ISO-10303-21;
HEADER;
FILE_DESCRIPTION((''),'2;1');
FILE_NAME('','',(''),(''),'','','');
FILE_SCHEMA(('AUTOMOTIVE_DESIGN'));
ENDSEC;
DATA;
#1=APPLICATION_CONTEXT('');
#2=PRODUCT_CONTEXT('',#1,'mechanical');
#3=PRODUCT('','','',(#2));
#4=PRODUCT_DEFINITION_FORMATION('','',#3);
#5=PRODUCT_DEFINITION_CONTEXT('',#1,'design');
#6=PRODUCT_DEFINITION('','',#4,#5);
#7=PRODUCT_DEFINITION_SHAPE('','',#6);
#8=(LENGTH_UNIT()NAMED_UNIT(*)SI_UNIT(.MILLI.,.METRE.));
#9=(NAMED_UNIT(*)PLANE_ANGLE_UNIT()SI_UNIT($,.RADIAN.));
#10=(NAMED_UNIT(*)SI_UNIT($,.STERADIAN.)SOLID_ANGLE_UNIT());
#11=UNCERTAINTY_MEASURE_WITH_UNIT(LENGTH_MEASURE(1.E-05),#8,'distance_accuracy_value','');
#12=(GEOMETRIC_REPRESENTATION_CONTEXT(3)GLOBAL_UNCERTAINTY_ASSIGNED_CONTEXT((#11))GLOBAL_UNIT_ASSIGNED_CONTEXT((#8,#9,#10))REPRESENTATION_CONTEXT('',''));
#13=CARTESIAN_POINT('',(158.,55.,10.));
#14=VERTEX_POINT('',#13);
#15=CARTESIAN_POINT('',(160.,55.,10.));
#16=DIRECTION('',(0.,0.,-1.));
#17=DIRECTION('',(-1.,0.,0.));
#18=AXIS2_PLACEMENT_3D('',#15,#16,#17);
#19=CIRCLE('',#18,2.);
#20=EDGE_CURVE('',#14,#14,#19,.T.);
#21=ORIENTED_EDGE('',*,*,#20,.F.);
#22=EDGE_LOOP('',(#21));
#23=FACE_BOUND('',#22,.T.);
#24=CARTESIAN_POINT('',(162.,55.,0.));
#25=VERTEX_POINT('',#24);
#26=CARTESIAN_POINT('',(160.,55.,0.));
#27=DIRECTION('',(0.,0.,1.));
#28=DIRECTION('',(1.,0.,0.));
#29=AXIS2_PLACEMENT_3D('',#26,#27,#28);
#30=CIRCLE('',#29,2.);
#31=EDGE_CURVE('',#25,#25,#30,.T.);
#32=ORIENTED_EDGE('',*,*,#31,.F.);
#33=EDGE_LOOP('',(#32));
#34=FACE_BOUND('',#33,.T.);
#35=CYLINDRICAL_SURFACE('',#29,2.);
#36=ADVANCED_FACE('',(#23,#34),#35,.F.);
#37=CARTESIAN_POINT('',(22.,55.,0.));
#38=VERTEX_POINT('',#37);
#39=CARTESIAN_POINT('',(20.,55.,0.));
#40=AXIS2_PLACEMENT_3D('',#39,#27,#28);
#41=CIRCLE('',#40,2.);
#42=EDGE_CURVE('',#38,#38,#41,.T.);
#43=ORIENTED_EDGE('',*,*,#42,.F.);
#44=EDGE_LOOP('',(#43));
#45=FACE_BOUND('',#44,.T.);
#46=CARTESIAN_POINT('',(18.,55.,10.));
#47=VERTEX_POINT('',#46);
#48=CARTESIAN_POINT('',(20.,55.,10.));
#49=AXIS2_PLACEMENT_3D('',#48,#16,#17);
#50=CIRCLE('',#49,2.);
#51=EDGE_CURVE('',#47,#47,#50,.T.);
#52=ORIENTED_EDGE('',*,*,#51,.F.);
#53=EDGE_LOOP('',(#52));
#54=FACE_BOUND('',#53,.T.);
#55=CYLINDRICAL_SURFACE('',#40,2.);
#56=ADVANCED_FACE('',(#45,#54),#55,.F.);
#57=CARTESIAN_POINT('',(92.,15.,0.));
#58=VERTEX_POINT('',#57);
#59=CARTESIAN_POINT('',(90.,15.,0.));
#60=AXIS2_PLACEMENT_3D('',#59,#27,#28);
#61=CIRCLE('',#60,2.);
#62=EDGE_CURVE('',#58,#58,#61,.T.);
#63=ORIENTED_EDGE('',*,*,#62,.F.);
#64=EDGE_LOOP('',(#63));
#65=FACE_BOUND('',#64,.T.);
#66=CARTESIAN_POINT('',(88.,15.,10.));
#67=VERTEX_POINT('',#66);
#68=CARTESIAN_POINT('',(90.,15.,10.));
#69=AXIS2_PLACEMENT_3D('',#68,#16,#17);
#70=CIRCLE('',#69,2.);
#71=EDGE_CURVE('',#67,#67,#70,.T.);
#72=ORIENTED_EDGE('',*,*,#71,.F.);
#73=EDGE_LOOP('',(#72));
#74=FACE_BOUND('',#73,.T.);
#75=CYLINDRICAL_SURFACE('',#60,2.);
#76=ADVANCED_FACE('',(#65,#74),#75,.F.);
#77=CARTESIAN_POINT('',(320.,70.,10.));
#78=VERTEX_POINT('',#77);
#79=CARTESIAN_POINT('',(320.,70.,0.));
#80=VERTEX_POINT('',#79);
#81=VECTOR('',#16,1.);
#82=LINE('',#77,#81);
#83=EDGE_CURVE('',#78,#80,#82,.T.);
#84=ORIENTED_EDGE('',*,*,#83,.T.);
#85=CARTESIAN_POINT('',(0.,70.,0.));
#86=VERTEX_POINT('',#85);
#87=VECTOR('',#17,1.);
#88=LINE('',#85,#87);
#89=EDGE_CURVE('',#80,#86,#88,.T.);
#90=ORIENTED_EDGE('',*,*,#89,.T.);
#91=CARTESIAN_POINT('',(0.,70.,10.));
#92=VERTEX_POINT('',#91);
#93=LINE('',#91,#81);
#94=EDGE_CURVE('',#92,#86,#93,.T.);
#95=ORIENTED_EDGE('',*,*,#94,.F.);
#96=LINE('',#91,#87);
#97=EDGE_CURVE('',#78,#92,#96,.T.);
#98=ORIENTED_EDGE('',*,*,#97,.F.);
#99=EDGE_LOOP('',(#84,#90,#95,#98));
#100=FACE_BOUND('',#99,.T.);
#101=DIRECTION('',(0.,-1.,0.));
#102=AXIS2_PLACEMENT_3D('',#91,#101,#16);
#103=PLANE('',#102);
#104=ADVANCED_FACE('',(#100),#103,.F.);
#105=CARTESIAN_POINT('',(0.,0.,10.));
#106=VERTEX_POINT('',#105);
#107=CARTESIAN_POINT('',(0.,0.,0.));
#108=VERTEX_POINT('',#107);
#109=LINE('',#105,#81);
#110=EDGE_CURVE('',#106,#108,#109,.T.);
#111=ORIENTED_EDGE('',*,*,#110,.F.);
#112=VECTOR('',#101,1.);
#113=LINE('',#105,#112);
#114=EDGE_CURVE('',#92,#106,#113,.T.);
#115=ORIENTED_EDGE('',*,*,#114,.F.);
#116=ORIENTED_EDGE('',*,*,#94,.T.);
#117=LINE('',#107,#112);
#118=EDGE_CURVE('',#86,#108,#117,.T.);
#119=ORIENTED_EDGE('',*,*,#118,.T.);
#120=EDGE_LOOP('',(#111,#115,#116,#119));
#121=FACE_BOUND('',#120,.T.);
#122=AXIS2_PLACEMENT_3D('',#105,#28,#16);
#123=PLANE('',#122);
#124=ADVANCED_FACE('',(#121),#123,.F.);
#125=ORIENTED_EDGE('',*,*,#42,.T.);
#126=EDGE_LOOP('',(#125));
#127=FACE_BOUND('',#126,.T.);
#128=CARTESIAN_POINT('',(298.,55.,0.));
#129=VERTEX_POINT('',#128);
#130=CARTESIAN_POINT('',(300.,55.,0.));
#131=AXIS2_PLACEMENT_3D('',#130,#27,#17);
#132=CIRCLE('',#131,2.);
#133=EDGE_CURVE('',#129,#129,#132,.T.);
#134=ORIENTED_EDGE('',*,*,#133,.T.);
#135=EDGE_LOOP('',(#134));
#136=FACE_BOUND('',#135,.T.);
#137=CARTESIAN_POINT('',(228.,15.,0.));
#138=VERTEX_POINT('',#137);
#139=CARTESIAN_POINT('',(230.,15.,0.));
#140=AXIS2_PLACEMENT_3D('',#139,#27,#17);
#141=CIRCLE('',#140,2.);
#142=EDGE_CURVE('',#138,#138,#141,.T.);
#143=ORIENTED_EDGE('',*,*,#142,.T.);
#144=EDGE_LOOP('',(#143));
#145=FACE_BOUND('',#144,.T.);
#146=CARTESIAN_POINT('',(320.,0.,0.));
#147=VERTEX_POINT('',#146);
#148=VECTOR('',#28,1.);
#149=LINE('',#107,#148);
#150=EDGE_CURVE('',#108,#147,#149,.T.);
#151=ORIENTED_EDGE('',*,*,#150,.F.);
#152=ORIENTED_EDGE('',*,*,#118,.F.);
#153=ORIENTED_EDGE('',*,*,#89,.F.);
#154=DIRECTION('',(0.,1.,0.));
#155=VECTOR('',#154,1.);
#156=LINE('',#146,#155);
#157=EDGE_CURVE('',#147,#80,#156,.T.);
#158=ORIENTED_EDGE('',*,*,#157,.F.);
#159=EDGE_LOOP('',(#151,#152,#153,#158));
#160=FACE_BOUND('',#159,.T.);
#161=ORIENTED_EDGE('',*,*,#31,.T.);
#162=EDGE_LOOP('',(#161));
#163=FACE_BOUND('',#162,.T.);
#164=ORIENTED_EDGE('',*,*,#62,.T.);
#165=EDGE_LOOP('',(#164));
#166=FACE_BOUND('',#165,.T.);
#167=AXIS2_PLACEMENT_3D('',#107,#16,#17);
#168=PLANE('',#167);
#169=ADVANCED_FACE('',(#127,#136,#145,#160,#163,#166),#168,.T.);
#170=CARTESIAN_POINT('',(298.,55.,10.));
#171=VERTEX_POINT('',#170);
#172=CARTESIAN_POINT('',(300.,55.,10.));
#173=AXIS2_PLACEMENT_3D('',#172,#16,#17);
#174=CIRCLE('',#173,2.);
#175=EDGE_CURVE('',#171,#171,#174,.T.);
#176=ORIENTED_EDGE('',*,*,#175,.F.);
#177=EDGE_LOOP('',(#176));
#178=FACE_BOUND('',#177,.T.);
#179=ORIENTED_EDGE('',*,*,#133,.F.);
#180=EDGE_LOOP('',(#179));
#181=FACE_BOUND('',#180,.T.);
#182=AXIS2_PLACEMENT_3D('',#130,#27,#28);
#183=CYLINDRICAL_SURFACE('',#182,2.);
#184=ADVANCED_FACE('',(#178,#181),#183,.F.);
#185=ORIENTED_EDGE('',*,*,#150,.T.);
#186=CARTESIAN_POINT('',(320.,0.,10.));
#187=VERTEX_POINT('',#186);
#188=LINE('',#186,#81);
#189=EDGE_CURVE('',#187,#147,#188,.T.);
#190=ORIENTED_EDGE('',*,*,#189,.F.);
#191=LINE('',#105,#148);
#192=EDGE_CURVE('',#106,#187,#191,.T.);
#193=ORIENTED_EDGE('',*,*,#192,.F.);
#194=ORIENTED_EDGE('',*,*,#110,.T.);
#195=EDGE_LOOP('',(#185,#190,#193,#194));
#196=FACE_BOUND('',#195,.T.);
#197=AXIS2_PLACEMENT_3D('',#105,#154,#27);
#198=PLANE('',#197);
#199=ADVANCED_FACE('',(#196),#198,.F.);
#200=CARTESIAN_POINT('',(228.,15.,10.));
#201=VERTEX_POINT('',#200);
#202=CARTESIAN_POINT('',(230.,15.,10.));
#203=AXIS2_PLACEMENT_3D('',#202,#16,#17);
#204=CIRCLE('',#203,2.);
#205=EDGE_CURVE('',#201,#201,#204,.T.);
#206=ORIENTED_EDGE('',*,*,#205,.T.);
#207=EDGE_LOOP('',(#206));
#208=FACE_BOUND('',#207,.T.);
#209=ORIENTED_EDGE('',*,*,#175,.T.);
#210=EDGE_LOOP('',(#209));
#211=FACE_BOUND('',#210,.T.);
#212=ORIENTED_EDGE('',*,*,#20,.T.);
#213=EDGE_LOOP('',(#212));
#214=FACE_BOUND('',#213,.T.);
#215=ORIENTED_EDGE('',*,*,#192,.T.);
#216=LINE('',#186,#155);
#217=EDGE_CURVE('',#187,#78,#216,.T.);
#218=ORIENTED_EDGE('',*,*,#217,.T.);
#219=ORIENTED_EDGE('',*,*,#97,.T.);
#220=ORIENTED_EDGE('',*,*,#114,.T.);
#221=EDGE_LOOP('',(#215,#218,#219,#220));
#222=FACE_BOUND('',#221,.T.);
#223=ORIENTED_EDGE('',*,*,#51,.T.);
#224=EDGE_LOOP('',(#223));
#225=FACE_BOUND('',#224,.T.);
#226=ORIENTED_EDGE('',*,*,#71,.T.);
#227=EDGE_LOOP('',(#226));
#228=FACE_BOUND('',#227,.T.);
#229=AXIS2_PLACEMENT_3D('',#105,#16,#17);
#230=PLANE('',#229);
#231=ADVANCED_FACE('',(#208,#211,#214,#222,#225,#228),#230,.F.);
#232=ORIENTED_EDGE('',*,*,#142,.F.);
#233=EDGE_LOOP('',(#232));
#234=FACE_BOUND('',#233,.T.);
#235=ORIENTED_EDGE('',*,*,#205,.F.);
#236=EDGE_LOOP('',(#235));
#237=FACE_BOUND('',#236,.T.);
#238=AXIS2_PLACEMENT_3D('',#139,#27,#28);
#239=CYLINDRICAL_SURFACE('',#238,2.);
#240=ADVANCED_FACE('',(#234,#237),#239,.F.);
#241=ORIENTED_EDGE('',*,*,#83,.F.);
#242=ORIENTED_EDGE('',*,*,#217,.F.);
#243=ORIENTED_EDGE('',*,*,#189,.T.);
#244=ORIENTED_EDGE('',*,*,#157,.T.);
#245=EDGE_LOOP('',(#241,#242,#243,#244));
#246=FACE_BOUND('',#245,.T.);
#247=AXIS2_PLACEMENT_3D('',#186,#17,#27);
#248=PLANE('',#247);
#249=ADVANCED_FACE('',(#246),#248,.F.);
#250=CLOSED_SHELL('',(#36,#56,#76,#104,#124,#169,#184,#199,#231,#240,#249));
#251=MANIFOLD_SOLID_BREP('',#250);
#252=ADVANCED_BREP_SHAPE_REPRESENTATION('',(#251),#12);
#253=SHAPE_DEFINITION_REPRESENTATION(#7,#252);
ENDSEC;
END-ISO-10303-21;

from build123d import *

# Parameters (mm, degrees)
ESQUISSE1_W                  = 320
ESQUISSE1_H                  = 70
BOSS_EXTRU_1_DEPTH           = 10
ENL_V_MAT_EXTRU_1_DEPTH      = 328.719392163
ENL_V_MAT_EXTRU_1_DEPTH_BACK = 328.719392163
ESQUISSE2_R                  = 2


with BuildPart() as part:
    # Esquisse1 → Boss.-Extru.1 (new body)
    with BuildSketch(Plane.XY):
        with Locations((160, 35)):
            Rectangle(ESQUISSE1_W, ESQUISSE1_H)
    extrude(amount=BOSS_EXTRU_1_DEPTH)

    # Esquisse2 → Enlèv. mat.-Extru.1 (cut, two sides: drawn at the far end of the back side and taken through both)
    with BuildSketch(Plane.XY.offset(10).offset(-ENL_V_MAT_EXTRU_1_DEPTH_BACK)):
        with Locations((160, 55)):
            Circle(ESQUISSE2_R)
        with Locations((90, 15)):
            Circle(ESQUISSE2_R)
        with Locations((20, 55)):
            Circle(ESQUISSE2_R)
        with Locations(Location((300, 55, 0), (0, 0, 180))):
            Circle(ESQUISSE2_R)
        with Locations(Location((230, 15, 0), (0, 0, 180))):
            Circle(ESQUISSE2_R)
    extrude(amount=ENL_V_MAT_EXTRU_1_DEPTH + ENL_V_MAT_EXTRU_1_DEPTH_BACK, mode=Mode.SUBTRACT)


solid = part.part
